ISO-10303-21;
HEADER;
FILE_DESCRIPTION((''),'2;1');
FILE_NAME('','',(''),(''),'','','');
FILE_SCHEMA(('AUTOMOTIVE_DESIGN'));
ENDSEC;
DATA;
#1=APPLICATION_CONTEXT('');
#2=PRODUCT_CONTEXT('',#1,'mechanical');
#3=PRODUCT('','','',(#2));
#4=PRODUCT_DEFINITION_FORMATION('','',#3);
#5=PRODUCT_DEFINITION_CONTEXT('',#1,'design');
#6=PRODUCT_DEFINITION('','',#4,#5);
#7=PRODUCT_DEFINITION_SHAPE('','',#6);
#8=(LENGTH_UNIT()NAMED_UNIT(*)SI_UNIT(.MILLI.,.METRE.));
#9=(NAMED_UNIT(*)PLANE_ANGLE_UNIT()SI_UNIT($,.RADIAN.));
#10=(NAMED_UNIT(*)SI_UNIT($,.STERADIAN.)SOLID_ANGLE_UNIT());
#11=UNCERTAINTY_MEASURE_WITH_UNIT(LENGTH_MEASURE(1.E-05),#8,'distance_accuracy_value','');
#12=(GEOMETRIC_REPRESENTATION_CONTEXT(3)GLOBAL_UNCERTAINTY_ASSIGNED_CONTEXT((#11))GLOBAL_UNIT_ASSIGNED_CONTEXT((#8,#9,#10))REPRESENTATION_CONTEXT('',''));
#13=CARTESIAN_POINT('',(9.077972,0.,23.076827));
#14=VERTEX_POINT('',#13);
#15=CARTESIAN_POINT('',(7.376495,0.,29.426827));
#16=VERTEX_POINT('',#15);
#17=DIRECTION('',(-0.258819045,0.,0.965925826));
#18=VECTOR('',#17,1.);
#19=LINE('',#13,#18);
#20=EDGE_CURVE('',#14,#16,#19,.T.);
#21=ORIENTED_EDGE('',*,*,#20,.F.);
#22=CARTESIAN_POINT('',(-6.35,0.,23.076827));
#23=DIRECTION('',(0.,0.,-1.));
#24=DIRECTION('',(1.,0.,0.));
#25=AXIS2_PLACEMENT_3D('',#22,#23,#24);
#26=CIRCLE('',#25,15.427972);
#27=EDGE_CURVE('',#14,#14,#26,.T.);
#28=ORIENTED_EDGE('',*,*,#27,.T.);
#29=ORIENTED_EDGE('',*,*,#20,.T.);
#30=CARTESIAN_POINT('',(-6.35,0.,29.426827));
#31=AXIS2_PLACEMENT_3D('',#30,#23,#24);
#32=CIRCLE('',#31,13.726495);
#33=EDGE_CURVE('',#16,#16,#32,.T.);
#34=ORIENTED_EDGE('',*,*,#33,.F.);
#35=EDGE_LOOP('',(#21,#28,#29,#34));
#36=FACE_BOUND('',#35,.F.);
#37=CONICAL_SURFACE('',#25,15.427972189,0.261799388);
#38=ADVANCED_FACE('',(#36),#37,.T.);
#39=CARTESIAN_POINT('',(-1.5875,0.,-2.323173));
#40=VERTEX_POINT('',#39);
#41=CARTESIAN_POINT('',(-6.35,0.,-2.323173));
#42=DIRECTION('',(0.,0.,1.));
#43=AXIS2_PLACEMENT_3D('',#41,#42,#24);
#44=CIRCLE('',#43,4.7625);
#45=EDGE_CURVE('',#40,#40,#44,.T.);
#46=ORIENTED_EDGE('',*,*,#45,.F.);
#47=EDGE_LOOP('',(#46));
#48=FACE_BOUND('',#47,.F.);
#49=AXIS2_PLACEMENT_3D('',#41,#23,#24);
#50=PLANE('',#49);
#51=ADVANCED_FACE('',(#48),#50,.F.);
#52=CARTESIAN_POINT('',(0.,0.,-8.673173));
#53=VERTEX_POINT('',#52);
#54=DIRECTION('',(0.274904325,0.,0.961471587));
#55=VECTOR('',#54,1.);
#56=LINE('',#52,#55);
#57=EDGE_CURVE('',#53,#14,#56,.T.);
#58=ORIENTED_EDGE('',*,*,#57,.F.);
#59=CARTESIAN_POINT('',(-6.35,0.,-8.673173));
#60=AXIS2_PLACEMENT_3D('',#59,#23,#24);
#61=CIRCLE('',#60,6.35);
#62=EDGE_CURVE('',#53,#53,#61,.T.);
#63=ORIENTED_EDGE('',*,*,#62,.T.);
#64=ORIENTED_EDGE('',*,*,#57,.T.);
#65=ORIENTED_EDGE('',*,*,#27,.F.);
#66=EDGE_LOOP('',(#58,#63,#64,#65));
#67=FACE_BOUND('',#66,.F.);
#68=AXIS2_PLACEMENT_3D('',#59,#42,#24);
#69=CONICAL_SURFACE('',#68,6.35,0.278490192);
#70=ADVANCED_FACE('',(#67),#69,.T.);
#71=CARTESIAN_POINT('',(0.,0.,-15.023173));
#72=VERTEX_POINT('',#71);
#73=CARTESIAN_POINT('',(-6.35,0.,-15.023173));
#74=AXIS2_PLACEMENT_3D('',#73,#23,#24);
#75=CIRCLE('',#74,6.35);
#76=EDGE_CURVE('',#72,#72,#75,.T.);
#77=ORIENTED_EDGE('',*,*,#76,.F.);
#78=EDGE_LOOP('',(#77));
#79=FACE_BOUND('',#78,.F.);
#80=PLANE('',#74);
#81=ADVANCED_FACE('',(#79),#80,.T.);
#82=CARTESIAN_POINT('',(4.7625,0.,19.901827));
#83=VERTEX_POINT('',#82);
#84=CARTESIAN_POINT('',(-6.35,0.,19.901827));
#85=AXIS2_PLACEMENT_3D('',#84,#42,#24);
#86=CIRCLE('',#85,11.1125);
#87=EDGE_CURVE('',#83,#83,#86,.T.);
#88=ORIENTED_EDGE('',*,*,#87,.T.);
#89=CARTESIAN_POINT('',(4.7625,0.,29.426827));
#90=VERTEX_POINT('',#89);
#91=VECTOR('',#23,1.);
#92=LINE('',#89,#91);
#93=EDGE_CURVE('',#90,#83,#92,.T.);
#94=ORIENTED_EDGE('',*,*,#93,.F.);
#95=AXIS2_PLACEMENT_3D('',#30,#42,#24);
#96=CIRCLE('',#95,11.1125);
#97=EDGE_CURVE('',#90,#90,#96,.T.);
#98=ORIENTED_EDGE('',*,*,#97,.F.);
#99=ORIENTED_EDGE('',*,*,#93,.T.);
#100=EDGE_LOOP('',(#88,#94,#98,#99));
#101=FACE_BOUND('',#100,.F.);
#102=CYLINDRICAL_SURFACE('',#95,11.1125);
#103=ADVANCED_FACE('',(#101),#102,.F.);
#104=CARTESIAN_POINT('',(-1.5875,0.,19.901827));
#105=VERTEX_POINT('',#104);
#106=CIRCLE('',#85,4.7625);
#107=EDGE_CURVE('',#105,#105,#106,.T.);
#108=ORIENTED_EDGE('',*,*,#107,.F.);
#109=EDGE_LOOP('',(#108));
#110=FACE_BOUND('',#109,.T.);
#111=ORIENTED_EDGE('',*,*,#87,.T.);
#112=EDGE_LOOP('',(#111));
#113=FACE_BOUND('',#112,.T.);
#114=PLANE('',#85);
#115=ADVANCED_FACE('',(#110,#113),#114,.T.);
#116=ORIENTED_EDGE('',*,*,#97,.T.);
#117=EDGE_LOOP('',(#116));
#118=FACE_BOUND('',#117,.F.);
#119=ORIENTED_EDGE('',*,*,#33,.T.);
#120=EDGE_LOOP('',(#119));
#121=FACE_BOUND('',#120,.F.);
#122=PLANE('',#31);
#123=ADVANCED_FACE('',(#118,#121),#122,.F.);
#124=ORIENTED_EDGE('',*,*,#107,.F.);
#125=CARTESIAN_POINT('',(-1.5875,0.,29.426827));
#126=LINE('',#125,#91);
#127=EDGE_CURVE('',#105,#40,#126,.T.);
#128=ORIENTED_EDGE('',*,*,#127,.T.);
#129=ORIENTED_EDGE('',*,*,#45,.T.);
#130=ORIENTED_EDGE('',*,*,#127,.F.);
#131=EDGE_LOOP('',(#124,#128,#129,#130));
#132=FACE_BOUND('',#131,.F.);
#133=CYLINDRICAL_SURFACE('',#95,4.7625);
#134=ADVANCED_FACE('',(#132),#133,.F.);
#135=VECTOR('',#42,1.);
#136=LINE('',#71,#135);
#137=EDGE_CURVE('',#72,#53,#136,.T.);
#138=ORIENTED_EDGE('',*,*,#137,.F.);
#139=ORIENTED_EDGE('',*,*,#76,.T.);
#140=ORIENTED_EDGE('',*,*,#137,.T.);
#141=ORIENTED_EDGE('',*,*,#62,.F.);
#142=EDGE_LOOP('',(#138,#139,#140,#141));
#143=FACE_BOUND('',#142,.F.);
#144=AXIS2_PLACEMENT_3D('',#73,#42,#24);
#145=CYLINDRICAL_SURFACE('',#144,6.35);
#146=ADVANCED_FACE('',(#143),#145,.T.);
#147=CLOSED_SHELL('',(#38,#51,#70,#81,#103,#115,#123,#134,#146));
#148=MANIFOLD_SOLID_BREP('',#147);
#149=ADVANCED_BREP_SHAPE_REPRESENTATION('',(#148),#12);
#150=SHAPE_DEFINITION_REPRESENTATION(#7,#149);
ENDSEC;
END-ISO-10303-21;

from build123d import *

# Parameters (mm, degrees)
F2_R     = 11.1125
F2_R_2   = 4.7625
F3_DEPTH = 9.525
F4_DEPTH = 31.75


with BuildPart() as f1:
    # F0 (on Front) → F1 (revolve)
    with BuildSketch(Plane.XZ):
        Polygon((-6.35, 29.4268268501), (-6.35, -15.0231731499), (0, -15.0231731499), (0, -8.6731731499), (9.0779721894, 23.0768268501), (7.3764948174, 29.4268268501), align=None)
    revolve(axis=Axis((-6.35, 0, 7.2018268501), (0, 0, -1)))

    # F2 (on face) → F3 (cut)
    with BuildSketch(Plane.XY.offset(29.4268268501)):
        with Locations((-6.35, 0)):
            Circle(F2_R)
        with Locations((-6.35, 0)):
            Circle(F2_R_2, mode=Mode.SUBTRACT)
    extrude(amount=-F3_DEPTH, mode=Mode.SUBTRACT)

    # F4 (cut): a face of the model
    f4_faces = [f1.faces().sort_by_distance(p)[0] for p in [
        (-6.35, 0, 29.4268268501),
    ]]
    extrude(f4_faces, amount=-F4_DEPTH, mode=Mode.SUBTRACT)


solid = f1.part
